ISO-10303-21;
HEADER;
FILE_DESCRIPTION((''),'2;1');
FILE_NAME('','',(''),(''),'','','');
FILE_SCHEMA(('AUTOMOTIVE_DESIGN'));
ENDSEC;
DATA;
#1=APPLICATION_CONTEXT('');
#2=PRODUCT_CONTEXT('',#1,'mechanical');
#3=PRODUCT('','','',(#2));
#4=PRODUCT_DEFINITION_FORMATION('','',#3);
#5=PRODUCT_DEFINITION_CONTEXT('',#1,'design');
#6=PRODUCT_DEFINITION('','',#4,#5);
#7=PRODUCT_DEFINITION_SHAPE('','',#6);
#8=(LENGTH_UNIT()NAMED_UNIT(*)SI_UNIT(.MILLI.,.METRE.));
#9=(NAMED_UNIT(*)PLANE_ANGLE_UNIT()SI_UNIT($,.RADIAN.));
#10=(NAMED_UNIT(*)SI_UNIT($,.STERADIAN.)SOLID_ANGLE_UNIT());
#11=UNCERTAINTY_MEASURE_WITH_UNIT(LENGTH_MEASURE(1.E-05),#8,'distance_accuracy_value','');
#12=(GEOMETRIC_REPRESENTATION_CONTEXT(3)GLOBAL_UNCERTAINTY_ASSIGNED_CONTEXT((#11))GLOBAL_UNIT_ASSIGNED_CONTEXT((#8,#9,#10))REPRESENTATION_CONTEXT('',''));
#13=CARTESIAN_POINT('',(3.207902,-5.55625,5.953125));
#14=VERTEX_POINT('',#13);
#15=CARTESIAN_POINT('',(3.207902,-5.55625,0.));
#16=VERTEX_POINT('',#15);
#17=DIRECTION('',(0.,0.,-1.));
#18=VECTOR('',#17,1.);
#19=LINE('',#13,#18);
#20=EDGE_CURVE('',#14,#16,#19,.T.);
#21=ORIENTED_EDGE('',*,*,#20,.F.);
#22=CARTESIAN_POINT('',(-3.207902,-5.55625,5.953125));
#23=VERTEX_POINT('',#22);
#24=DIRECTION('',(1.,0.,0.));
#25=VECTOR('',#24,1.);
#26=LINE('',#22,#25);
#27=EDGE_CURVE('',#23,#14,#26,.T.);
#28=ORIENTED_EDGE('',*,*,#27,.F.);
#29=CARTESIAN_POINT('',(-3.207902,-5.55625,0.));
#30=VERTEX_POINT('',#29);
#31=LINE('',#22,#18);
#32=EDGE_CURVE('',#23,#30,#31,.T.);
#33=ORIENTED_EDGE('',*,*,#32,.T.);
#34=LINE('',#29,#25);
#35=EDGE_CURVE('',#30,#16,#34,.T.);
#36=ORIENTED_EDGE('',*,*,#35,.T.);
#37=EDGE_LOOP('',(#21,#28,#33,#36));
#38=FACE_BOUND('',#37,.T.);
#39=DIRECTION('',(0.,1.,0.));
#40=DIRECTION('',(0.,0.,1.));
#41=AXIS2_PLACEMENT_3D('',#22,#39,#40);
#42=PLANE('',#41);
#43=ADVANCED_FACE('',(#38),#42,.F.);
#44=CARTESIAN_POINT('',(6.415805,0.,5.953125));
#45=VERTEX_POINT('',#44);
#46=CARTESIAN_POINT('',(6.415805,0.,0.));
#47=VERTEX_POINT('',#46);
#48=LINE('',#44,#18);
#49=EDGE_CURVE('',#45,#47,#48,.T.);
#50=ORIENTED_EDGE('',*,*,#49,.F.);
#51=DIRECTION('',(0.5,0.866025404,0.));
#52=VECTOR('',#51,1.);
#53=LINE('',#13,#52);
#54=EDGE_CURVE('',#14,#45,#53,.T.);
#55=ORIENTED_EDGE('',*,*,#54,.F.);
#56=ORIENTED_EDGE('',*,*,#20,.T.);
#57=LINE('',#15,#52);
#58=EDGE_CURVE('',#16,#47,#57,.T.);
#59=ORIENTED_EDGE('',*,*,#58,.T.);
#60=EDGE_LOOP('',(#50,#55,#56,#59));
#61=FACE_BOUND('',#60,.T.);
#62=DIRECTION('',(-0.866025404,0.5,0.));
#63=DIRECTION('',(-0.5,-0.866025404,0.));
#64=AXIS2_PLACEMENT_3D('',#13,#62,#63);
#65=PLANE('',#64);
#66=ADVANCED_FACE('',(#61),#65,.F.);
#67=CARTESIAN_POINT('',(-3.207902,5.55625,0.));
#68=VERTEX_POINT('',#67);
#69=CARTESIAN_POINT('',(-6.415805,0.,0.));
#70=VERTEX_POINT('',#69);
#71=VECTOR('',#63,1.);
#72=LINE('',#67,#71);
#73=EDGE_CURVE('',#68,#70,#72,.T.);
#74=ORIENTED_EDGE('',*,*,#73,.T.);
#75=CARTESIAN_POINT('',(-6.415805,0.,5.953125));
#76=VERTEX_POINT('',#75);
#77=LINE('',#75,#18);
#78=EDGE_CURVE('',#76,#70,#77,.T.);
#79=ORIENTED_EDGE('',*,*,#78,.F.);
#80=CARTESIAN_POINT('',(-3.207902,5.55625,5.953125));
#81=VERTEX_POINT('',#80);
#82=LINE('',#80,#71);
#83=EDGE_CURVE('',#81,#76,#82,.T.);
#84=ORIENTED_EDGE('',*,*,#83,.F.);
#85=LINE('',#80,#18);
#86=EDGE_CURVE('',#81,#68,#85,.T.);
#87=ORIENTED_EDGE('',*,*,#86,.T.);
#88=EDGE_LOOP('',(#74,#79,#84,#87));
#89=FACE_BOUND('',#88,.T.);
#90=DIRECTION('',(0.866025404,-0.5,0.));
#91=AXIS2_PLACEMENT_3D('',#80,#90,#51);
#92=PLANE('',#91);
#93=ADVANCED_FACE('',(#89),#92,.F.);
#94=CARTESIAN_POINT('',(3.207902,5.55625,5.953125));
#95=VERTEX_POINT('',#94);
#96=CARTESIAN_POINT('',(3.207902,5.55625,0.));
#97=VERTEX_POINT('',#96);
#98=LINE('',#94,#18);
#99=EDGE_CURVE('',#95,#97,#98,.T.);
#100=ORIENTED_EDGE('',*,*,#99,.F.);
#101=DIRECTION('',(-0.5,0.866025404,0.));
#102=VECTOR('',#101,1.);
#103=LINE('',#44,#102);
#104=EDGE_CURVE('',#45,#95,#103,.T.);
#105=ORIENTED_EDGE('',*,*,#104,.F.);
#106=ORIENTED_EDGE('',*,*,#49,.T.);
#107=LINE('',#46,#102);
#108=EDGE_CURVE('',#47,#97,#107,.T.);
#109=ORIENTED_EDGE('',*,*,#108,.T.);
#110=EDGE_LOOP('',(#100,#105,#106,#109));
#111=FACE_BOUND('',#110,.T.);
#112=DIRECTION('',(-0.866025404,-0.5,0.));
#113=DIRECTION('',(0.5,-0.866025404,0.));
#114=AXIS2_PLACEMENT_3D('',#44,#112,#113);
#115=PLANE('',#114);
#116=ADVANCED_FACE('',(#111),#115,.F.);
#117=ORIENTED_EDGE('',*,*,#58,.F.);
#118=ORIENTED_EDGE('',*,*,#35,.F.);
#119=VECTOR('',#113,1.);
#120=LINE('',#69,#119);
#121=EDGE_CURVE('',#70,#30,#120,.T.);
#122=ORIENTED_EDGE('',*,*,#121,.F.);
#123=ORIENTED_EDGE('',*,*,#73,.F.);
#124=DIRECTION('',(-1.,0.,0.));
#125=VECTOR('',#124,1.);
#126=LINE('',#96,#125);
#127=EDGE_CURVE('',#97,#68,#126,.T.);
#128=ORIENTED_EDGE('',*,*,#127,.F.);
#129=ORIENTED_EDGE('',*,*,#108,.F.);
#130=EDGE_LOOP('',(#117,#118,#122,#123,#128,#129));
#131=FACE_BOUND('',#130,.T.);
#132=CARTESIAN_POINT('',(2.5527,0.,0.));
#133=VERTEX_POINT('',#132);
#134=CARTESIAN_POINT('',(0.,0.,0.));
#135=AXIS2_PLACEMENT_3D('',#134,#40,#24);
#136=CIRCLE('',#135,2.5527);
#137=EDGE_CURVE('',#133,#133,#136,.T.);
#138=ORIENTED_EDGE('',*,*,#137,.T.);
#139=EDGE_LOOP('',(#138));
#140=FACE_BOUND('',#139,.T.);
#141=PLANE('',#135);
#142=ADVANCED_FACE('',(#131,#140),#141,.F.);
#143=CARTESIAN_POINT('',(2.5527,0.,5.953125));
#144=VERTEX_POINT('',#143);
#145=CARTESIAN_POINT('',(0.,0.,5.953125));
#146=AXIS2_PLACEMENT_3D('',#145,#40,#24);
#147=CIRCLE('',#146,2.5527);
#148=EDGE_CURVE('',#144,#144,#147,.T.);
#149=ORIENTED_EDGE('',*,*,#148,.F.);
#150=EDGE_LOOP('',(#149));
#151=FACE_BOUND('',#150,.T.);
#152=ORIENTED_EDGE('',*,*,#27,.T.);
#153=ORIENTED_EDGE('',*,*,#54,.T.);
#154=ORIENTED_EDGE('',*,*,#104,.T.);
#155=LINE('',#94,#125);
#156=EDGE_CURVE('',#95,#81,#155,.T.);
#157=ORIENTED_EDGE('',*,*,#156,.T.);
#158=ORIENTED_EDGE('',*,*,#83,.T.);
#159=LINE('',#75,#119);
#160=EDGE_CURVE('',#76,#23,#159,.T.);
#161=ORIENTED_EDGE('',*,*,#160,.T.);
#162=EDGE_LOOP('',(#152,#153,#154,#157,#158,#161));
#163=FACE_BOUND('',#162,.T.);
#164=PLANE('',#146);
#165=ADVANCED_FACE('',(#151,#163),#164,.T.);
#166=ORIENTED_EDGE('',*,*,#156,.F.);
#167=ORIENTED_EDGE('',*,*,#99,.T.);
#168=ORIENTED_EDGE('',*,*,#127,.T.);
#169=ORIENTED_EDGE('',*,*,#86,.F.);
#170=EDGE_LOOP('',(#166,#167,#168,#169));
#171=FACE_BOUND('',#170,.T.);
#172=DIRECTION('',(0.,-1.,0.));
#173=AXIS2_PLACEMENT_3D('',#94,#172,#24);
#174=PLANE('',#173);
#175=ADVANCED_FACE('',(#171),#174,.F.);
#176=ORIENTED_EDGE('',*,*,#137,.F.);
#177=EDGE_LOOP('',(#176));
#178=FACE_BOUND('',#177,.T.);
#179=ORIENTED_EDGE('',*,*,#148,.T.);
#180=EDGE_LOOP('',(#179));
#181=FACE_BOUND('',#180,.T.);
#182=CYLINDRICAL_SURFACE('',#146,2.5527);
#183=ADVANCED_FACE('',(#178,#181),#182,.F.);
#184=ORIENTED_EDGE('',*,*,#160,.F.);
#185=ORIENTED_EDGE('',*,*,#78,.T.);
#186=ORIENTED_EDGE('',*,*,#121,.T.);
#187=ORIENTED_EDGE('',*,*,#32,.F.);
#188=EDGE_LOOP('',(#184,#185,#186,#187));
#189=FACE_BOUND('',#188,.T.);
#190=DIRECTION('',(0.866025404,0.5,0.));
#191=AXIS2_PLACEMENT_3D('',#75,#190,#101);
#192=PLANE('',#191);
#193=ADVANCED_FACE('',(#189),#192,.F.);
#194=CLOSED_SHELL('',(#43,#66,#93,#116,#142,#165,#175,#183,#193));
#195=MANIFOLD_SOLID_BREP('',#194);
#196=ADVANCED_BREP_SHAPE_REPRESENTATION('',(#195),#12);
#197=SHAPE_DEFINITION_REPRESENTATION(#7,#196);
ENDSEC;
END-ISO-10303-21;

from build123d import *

# Parameters (mm, degrees)
BOSS_EXTRUDE1_DEPTH     = 5.953125
F_1_4_20_TAPPED_HOLE1_D = 5.1054


with BuildPart() as part:
    # Sketch1 → Boss-Extrude1 (new body)
    with BuildSketch(Plane.XY):
        Polygon((-3.207902433, -5.55625), (3.207902433, -5.55625), (6.415804866, 0), (3.207902433, 5.55625), (-3.207902433, 5.55625), (-6.415804866, 0), align=None)
    extrude(amount=BOSS_EXTRUDE1_DEPTH)

    # 1/4-20 Tapped Hole1 (through all)
    with Locations(Plane.XY.offset(5.953125)):
        with Locations((0, 0)):
            Hole(F_1_4_20_TAPPED_HOLE1_D / 2)


solid = part.part
